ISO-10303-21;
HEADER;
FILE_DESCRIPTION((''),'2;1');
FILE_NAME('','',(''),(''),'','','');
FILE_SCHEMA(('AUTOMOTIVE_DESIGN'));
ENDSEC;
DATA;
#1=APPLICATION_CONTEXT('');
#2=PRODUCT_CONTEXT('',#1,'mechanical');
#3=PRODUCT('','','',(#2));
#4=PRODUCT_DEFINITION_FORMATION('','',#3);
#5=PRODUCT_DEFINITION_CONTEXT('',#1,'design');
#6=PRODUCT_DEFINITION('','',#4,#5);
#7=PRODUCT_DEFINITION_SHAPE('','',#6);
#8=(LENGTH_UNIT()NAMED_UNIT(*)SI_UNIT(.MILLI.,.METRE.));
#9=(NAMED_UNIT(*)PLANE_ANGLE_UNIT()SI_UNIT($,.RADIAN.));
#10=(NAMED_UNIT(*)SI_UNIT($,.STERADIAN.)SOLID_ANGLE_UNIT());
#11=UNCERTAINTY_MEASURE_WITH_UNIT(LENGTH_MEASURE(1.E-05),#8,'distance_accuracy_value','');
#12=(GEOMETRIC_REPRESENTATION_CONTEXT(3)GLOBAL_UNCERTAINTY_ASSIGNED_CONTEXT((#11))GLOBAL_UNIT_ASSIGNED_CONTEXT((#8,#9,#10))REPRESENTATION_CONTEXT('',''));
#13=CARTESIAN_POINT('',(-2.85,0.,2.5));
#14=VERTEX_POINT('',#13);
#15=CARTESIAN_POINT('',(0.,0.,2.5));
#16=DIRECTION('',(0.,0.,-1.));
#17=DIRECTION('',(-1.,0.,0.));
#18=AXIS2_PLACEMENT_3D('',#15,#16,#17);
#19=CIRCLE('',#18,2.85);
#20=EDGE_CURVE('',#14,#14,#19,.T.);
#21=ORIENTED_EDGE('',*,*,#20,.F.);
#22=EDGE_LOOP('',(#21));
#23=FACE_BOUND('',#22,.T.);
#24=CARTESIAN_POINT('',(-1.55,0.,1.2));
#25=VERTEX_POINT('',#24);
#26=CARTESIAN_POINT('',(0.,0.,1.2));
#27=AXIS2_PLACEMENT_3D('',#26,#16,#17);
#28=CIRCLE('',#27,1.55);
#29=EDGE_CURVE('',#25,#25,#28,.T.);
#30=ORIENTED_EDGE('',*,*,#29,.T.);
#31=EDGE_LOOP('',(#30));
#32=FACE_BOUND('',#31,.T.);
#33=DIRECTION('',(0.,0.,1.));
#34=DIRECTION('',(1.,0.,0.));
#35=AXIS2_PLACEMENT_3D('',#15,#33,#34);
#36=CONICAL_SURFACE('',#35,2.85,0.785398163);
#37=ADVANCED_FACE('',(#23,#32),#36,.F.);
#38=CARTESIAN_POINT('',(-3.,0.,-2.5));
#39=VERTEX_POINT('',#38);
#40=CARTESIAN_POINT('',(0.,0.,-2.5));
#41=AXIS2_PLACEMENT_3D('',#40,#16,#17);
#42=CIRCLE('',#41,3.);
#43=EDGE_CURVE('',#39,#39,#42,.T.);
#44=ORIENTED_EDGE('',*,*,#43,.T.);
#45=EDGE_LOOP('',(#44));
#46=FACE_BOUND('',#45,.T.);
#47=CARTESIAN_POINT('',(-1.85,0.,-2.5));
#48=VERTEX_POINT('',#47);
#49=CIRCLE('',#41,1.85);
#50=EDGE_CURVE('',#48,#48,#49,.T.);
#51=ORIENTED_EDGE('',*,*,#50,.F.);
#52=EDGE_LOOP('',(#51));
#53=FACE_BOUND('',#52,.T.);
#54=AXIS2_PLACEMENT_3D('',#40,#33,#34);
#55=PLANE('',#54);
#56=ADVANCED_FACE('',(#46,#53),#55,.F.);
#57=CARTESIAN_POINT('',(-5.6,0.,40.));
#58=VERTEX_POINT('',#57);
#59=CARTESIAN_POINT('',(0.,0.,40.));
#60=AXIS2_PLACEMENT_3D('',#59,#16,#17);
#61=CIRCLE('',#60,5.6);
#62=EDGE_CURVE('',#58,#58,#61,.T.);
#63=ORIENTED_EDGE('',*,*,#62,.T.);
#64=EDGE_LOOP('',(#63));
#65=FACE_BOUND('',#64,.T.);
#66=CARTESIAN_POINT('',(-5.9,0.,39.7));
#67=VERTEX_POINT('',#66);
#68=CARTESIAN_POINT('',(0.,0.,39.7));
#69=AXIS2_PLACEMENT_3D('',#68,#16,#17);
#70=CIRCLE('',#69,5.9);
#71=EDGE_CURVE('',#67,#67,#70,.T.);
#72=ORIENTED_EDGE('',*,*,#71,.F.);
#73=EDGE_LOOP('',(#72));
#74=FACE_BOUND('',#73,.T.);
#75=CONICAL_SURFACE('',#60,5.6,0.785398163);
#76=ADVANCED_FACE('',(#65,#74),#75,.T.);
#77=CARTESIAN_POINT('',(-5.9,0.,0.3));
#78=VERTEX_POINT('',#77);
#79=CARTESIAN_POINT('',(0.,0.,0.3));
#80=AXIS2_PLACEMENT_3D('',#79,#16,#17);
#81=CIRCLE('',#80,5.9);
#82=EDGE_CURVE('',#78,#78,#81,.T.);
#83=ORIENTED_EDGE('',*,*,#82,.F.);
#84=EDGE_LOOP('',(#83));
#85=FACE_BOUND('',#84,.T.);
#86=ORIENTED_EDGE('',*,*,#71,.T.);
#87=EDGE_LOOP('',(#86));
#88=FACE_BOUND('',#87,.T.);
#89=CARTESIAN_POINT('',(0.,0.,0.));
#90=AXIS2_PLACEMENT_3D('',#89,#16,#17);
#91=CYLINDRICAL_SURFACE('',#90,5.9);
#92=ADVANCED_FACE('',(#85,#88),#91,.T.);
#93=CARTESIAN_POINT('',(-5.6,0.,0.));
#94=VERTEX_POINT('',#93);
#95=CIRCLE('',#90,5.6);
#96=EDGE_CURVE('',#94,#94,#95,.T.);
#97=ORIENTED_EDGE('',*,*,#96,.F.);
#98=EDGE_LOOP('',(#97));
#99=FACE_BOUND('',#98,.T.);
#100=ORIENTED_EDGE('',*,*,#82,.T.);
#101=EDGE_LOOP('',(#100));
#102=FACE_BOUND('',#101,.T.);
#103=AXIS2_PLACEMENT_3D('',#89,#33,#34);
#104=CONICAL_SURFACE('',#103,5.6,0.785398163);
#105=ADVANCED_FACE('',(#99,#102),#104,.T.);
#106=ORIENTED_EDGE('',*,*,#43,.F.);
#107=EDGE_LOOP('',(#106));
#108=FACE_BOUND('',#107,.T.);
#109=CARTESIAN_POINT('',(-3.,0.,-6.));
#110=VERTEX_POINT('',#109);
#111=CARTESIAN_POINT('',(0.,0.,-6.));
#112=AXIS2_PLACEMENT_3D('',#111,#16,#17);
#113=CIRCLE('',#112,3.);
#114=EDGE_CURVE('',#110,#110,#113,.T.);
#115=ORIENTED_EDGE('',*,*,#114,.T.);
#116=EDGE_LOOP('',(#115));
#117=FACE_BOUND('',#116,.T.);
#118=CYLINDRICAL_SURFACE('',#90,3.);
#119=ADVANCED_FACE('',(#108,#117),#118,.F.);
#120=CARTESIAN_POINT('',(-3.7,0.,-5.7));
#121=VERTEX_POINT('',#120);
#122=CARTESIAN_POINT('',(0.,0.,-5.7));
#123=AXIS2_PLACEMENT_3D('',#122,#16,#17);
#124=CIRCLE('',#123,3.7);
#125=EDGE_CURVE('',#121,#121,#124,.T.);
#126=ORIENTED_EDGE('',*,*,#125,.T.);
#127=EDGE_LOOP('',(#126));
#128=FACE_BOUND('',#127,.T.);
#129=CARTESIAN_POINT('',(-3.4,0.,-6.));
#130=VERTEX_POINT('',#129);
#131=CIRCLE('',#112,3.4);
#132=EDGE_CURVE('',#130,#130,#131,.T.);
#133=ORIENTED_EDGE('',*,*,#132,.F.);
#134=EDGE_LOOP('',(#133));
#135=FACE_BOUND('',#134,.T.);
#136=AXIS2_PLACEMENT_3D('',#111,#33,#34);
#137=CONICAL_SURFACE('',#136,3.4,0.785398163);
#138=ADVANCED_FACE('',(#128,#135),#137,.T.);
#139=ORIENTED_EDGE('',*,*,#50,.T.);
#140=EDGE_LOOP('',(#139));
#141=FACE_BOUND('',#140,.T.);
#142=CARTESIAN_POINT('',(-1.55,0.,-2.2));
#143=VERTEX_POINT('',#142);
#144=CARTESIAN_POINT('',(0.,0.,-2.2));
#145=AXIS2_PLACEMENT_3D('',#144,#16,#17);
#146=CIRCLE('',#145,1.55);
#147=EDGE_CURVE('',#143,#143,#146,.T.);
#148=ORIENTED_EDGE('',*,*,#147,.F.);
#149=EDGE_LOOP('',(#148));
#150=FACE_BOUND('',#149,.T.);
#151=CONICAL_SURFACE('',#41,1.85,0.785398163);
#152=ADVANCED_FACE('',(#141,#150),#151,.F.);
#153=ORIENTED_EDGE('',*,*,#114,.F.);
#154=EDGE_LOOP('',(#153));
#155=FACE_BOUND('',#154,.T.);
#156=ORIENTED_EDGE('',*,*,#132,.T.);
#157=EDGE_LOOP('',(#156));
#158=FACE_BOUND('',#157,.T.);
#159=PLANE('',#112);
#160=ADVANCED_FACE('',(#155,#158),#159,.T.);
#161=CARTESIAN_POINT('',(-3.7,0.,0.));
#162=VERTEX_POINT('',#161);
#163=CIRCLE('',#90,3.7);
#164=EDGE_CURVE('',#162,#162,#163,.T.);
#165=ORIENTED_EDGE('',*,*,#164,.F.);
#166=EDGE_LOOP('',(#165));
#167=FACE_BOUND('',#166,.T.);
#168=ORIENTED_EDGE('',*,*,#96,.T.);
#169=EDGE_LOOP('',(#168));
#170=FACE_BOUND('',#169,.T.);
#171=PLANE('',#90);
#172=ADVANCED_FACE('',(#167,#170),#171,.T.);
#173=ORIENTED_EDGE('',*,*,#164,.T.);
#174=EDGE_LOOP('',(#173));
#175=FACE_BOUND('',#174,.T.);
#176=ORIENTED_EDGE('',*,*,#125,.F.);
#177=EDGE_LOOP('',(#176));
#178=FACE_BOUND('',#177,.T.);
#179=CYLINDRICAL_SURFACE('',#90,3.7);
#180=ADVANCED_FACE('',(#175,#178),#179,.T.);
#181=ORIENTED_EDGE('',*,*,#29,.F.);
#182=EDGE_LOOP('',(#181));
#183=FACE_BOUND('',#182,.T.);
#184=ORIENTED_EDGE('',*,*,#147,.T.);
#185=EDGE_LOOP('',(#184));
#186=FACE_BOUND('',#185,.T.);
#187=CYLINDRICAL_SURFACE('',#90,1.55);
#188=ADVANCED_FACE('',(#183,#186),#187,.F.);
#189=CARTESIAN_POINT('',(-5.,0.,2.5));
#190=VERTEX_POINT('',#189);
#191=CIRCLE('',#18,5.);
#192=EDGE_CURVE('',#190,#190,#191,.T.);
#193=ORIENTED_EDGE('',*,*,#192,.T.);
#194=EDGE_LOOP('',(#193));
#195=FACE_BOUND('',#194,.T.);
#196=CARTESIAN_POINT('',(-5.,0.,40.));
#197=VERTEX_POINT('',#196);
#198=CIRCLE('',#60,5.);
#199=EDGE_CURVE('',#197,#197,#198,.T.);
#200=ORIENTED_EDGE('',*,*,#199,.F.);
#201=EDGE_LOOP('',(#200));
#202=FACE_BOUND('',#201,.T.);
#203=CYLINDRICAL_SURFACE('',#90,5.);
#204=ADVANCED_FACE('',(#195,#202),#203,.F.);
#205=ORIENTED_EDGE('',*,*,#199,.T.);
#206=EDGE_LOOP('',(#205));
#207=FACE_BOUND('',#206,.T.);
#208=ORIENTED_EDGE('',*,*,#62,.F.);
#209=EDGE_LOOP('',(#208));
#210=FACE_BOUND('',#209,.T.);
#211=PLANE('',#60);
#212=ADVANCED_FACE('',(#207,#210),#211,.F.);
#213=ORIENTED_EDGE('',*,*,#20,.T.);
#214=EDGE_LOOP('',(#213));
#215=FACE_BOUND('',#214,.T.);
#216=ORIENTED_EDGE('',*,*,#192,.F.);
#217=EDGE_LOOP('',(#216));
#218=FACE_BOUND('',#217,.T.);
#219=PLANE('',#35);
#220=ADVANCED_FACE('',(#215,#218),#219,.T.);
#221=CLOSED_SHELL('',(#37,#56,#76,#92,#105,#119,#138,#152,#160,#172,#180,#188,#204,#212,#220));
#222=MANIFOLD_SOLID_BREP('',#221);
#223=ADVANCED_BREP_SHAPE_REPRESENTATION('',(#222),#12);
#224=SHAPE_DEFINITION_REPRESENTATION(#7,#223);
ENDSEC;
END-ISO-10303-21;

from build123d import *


with BuildPart() as part:
    # Эскиз1 → Повернуть1 (revolve)
    with BuildSketch(Plane(origin=(0, 0, 0), x_dir=(1, 0, 0), z_dir=(0, 1, 0)), mode=Mode.PRIVATE) as revolve_1_sk:
        Polygon((5, -2.5), (5, -40), (5.6, -40), (5.9, -39.7), (5.9, -0.3), (5.6, 0), (3.7, 0), (3.7, 5.7), (3.4, 6), (3, 6), (3, 2.5), (1.85, 2.5), (1.55, 2.2), (1.55, 0), (1.55, -1.2), (2.85, -2.5), align=None)
    revolve(revolve_1_sk.sketch.rotate(Axis((0, 0, 0), (0, 0, 1)), 180), axis=Axis((0, 0, 0), (0, 0, 1)))


solid = part.part
